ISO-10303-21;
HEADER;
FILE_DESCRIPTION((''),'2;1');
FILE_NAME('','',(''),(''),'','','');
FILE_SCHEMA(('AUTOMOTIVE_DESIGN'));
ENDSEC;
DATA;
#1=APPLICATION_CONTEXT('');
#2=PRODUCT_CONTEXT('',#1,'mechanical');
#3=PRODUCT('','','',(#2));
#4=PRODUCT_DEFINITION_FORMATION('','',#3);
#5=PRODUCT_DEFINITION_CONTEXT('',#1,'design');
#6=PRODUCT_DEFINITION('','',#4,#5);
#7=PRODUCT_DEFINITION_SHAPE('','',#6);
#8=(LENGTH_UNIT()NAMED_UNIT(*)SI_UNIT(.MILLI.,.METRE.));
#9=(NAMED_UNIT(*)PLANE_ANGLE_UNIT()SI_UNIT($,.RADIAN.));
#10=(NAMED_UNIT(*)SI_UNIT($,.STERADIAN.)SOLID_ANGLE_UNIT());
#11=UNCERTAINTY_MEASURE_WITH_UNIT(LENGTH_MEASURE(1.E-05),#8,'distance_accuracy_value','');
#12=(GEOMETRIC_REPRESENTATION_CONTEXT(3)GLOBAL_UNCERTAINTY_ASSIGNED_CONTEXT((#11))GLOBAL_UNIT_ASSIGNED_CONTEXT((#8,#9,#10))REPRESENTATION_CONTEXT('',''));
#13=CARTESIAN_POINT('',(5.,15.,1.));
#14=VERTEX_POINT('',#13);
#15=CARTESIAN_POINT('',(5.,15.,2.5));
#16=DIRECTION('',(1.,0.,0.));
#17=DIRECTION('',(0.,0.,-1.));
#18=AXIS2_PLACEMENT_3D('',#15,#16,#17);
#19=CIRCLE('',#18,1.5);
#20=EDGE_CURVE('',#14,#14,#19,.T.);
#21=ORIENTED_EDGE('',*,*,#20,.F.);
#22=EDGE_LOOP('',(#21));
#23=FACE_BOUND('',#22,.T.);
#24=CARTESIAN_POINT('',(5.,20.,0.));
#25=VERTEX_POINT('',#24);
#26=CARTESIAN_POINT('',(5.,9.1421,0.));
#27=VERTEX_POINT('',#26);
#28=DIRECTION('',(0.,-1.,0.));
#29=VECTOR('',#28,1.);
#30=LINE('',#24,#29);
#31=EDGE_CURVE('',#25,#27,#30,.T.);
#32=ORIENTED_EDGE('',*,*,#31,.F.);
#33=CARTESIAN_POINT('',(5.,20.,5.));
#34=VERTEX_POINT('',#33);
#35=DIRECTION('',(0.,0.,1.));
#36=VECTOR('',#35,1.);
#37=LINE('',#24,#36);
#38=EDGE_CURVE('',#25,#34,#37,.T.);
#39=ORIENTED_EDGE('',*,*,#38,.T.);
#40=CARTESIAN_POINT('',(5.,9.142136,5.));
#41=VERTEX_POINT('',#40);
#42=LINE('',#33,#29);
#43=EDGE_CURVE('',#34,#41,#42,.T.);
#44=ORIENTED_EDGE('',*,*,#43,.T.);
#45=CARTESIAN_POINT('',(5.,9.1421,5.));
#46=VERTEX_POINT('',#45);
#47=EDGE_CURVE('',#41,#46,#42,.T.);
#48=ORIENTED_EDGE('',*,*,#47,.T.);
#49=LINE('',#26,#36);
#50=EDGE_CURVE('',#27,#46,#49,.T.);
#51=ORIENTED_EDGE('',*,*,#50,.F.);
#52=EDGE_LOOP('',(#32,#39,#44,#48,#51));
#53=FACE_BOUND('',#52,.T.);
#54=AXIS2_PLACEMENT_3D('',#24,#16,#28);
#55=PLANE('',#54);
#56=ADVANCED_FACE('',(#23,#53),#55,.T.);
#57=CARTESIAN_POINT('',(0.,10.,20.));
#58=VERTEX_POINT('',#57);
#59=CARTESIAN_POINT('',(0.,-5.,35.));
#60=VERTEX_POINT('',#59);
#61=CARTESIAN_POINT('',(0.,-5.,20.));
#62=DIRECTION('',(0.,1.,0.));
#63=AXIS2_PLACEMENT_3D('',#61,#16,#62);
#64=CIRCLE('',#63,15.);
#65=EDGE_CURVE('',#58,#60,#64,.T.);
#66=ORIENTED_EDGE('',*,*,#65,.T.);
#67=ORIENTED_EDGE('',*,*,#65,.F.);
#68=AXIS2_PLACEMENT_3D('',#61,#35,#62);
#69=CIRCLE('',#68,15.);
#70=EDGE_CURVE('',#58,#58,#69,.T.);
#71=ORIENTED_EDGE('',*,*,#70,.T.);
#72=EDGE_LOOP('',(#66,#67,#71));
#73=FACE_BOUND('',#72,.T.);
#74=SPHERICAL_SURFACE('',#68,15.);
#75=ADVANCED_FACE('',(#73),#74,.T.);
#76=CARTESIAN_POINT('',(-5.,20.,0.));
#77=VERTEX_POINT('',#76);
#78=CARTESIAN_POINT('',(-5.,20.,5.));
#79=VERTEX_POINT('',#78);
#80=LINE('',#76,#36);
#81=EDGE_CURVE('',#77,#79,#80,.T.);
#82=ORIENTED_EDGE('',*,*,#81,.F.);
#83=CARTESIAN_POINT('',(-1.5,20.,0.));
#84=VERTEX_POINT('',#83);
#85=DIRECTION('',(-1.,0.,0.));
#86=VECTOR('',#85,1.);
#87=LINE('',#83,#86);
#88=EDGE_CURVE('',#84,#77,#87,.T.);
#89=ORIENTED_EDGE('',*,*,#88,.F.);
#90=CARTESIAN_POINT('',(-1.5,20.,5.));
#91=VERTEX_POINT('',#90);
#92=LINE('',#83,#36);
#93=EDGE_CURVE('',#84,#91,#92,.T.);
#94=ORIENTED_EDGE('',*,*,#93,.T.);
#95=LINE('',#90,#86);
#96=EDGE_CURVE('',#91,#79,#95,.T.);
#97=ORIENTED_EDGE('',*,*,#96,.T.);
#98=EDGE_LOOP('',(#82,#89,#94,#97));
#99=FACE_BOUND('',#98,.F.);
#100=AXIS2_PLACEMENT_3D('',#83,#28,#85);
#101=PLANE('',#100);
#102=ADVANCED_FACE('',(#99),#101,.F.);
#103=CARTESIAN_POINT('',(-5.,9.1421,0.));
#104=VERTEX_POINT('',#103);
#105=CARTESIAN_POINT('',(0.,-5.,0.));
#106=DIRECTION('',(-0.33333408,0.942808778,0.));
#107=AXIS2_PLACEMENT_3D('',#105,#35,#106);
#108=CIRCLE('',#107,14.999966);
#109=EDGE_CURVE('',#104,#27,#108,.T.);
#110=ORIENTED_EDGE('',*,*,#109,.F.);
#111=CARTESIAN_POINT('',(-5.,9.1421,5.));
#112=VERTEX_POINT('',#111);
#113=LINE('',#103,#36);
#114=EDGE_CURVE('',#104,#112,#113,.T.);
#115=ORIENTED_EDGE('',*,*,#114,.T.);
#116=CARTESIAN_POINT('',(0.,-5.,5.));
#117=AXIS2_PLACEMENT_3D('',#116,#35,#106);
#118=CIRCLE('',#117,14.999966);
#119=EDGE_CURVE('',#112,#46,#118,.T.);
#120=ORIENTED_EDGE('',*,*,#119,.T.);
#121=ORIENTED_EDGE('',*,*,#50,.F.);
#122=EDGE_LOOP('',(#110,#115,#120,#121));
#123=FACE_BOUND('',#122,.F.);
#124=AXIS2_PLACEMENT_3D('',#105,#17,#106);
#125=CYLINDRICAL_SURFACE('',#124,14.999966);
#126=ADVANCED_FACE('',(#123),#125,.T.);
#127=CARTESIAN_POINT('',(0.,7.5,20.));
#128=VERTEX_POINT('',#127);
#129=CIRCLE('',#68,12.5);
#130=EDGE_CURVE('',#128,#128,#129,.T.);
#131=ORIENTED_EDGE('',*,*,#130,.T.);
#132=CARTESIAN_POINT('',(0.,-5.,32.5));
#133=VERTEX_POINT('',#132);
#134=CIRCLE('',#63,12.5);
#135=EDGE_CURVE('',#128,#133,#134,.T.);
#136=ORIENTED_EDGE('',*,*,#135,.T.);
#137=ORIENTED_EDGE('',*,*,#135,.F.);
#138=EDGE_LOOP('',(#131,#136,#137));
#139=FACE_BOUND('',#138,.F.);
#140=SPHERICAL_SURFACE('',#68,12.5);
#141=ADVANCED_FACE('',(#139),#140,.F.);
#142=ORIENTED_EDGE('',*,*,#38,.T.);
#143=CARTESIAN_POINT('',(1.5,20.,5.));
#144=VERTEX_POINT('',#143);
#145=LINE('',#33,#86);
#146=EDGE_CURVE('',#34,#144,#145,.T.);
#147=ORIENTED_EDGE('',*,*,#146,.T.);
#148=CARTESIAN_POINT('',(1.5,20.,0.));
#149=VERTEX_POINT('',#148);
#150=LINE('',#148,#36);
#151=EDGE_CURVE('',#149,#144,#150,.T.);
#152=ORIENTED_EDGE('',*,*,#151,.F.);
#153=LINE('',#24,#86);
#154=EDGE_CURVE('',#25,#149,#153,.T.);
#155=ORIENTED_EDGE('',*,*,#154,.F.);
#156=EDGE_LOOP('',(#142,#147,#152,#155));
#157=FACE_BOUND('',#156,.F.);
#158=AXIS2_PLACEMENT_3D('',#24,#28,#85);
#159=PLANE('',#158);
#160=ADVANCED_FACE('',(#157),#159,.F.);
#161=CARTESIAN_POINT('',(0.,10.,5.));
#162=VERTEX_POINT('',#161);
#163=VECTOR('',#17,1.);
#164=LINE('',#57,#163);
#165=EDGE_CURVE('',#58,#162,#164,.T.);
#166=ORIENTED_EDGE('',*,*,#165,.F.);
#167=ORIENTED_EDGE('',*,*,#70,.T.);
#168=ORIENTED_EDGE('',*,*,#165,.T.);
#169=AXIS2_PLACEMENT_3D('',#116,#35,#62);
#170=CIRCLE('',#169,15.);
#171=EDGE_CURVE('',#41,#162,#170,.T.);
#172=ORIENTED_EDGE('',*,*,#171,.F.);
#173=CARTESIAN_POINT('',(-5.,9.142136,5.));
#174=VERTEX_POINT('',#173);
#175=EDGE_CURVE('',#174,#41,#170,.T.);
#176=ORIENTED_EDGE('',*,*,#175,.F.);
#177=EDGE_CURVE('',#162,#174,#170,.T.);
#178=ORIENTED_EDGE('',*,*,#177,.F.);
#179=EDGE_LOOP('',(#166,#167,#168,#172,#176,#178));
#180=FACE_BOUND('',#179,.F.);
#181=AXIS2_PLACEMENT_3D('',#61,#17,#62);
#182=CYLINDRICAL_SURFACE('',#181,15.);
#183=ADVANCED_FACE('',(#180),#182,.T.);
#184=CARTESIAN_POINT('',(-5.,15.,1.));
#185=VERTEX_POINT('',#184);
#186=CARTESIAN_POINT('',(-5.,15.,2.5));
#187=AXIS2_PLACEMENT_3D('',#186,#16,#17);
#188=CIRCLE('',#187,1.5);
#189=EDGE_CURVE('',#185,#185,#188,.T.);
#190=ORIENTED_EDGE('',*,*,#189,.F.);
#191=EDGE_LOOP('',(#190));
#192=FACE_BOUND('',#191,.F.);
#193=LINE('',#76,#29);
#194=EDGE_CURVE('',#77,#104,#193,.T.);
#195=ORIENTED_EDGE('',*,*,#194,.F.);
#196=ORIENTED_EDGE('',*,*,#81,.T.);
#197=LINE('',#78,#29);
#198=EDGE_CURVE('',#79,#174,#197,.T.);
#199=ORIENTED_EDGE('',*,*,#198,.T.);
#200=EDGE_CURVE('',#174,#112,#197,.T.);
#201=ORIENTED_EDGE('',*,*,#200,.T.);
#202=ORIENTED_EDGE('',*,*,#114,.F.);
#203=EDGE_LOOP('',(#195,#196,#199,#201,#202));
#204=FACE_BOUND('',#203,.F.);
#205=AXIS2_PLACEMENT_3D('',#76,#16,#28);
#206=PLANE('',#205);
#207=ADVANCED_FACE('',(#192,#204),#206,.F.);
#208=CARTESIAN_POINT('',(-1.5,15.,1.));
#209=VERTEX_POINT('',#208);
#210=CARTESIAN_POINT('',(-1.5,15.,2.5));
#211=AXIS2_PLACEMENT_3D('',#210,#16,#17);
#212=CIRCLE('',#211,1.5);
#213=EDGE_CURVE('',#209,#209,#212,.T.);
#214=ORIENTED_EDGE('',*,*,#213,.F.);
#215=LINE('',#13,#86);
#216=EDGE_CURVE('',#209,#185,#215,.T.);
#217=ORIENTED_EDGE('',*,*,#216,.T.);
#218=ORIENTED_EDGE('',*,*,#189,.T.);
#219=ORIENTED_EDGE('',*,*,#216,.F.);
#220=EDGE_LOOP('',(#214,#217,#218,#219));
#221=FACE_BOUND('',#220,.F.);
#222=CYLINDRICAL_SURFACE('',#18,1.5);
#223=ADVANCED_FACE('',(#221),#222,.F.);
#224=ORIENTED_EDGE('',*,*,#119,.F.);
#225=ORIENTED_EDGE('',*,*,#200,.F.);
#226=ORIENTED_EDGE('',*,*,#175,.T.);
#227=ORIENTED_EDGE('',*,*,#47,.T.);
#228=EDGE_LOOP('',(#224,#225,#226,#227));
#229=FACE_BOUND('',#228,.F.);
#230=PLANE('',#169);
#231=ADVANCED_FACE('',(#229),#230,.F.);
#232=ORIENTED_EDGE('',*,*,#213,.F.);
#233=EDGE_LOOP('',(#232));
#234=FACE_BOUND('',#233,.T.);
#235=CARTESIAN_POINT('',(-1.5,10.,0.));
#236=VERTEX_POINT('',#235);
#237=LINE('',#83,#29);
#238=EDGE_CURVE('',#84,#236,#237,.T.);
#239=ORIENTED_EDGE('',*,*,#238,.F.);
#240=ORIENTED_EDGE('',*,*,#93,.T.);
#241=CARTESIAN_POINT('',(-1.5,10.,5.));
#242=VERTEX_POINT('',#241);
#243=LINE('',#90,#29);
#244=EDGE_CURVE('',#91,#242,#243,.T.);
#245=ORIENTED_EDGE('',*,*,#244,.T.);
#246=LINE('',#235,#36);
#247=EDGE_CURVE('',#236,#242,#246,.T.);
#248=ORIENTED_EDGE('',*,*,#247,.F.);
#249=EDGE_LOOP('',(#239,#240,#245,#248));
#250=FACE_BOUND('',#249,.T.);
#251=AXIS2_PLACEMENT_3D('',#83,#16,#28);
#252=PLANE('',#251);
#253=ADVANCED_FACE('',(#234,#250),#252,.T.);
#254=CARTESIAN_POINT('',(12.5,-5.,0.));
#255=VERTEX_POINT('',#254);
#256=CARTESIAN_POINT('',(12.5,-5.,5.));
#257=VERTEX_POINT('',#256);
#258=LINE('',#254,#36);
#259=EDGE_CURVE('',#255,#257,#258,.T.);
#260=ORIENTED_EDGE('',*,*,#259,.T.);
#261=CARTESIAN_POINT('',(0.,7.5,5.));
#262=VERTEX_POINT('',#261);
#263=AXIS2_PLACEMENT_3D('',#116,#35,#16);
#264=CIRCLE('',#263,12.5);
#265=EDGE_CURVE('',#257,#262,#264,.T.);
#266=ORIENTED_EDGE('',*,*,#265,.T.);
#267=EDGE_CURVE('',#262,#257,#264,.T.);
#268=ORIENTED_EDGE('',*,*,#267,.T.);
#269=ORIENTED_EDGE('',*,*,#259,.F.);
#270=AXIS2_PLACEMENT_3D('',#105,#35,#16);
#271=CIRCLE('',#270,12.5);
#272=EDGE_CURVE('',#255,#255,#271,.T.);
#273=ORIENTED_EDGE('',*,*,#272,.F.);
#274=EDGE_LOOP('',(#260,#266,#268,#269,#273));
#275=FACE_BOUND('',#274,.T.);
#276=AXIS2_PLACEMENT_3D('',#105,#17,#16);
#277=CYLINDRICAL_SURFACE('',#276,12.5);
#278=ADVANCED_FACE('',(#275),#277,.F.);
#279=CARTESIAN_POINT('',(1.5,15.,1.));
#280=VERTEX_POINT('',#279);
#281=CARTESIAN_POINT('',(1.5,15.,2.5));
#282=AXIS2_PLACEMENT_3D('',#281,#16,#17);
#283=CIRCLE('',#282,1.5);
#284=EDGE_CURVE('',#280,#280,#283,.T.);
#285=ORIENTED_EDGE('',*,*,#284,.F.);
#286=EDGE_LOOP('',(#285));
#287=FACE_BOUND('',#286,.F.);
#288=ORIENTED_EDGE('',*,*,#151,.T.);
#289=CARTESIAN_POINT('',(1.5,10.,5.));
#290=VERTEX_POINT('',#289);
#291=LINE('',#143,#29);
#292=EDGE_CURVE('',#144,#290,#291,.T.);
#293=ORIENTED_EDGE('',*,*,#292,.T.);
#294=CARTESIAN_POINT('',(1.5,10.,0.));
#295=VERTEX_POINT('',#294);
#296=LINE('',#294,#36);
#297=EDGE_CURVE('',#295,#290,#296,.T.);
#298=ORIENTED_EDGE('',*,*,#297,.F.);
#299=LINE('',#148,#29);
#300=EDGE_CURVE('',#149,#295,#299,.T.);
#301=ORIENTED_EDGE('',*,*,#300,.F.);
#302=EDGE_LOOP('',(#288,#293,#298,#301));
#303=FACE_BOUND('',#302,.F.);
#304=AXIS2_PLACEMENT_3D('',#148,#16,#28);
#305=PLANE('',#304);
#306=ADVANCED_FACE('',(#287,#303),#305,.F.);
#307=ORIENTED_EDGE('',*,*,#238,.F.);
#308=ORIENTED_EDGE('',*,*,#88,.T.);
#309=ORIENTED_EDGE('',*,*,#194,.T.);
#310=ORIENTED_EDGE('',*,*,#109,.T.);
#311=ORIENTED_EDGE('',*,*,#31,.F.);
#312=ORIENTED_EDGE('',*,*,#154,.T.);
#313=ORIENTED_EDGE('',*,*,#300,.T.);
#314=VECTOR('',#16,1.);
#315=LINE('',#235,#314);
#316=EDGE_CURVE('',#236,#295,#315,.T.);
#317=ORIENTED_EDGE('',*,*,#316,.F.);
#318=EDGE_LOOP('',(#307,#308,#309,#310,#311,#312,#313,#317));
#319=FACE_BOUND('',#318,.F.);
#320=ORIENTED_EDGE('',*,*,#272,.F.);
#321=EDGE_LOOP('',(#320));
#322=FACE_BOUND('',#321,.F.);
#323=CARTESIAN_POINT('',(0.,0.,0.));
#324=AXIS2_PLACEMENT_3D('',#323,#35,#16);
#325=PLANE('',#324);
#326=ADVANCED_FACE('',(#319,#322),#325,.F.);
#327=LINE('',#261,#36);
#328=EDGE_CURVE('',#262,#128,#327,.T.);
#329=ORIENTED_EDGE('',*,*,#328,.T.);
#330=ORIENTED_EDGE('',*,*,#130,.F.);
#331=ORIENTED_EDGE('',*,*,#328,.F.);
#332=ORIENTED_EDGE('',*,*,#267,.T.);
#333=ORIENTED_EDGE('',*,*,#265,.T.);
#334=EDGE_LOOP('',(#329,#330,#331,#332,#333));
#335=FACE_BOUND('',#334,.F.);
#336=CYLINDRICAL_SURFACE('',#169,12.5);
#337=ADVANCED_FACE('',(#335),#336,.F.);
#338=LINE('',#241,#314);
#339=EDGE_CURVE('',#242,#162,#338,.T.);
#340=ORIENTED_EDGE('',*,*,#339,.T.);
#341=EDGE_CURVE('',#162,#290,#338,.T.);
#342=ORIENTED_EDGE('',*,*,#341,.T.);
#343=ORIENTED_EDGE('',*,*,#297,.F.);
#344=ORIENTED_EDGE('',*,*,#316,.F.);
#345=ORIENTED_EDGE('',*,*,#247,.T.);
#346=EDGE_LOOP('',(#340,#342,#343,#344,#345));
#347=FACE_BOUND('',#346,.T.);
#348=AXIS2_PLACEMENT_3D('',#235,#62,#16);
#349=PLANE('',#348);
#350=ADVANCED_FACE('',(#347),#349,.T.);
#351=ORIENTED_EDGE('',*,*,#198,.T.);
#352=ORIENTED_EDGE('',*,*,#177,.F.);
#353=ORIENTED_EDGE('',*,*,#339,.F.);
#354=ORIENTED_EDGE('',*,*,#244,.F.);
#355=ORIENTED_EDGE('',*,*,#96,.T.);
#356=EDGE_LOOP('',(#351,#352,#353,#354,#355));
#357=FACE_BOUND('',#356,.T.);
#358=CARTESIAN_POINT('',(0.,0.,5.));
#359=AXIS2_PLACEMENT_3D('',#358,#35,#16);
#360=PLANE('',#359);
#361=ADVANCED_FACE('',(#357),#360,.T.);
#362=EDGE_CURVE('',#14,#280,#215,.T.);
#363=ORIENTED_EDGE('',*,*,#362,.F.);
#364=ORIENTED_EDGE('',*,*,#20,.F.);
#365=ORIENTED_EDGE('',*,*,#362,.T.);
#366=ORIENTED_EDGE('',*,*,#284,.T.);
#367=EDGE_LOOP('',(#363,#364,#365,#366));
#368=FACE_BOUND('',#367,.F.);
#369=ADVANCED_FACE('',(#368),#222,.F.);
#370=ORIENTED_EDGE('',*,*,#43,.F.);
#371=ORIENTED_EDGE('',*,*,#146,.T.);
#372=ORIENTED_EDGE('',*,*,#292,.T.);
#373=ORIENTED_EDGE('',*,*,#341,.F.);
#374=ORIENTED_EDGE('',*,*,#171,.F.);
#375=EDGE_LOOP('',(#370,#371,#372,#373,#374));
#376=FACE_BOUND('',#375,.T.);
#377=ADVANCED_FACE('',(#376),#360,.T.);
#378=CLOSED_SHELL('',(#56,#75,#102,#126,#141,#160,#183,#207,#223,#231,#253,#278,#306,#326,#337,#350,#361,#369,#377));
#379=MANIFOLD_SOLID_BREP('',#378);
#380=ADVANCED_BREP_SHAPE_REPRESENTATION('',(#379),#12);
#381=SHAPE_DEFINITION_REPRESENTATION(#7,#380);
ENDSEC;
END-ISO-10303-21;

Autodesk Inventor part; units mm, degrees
ref_plane "YZ Plane" through (0, 0, 0) normal (1, 0, 0) x (0, 1, 0)
ref_plane "XZ Plane" through (0, 0, 0) normal (0, 1, 0) x (-1, 0, 0)
ref_plane "XY Plane" through (0, 0, 0) normal (0, 0, 1) x (1, 0, 0)
sketch "Sketch1" plane through (0, 0, 0) normal (0, 0, 1) x (1, 0, 0)
  line L0 (-5, 20) -> (-5, 9.1421)
  line L1 (0, 10) -> (0, 17.0552) construction
  line L2 (5, 20) -> (5, 9.1421)
  line L3 (5, 10) -> (-5, 10) construction
  line L4 (0, 10) -> (0, 20) construction
  line L5 (-1.5, 20) -> (-1.5, 10)
  line L6 (1.5, 20) -> (1.5, 10)
  line L7 (5, 20) -> (1.5, 20)
  line L8 (-1.5, 20) -> (-5, 20)
  line L9 (-1.5, 10) -> (1.5, 10)
  arc A0 (-5, 9.1421) -> (5, 9.1421) centre (0, -5) ccw
  circle A1 centre (0, -5) radius 12.5
  dimension "d46" = 1.5
  dimension "d61" = 25
extrude "Extrusion1" add sketch "Sketch1" along normal blind 5
sketch "Sketch4" plane through (5, 5.9087, 0) normal (1, 0, 0) x (0, 0, -1)
  line L0 (0, 14.0913) -> (-5, 14.0913) construction
  line L1 (-2.5, 14.0913) -> (-2.5, 9.0913) construction
  circle A0 centre (-2.5, 9.0913) radius 1.5
  point P0 (0, -5.9087)
  dimension "d30" = 5
  dimension "d31" = 3
extrude "Extrusion4" cut sketch "Sketch4" against normal blind 10
ref_plane "Work Plane1" through (0, 5.9087, 0) normal (1, 0, 0) x (0, 0, -1)
ref_plane "Work Plane2" through (0, 5.9087, 0) normal (1, 0, 0) x (0, 0, -1)
sketch "Sketch14" plane through (0, 5.9087, 0) normal (1, 0, 0) x (0, 0, -1)
  line L0 (-5, 1.5913) -> (-20, 1.5913)
  line L1 (-20, 1.5913) -> (-20, 4.0913)
  line L2 (-20, 4.0913) -> (-5, 4.0913)
  line L3 (-5, 1.5913) -> (-5, -23.4087) construction
  line L4 (-5, -10.9087) -> (-20, -10.9087) construction
  line L5 (-5, -23.4087) -> (-5, 1.5913) projected
  line L6 (-5, 4.0913) -> (-5, 1.5913)
  point P0 (0, -5.9087)
  dimension "d62" = 15
  dimension "d63" = 2.5
  dimension "d64" = 15
revolve "Revolution3" add sketch "Sketch14" angle 360 about axis through (0, -5, 5) along (0, 0, 1)
sketch "Sketch15" plane through (0, 5.9087, 0) normal (1, 0, 0) x (0, 0, -1)
  line L0 (-20, -23.4087) -> (-20, 1.5913) projected
  arc A0 (-20, 1.5913) -> (-32.5, -10.9087) centre (-20, -10.9087) ccw
  arc A1 (-20, 4.0913) -> (-35, -10.9087) centre (-20, -10.9087) ccw
  line L1 (-32.5, -10.9087) -> (-35, -10.9087) construction
  line L2 (-20, 1.5913) -> (-20, -23.4087) construction
  line L3 (-20, -25.9087) -> (-20, 4.0913) projected
  line L4 (-20, 1.5913) -> (-20, 4.0913)
  line L5 (-32.5, -10.9087) -> (-35, -10.9087)
  point P0 (0, -5.9087)
  dimension "d67" = 30
revolve "Revolution4" add sketch "Sketch15" angle 360 about axis through (0, -5, 32.5) along (0, 0, 1)
properties part number "beta_dummy _thumb"
